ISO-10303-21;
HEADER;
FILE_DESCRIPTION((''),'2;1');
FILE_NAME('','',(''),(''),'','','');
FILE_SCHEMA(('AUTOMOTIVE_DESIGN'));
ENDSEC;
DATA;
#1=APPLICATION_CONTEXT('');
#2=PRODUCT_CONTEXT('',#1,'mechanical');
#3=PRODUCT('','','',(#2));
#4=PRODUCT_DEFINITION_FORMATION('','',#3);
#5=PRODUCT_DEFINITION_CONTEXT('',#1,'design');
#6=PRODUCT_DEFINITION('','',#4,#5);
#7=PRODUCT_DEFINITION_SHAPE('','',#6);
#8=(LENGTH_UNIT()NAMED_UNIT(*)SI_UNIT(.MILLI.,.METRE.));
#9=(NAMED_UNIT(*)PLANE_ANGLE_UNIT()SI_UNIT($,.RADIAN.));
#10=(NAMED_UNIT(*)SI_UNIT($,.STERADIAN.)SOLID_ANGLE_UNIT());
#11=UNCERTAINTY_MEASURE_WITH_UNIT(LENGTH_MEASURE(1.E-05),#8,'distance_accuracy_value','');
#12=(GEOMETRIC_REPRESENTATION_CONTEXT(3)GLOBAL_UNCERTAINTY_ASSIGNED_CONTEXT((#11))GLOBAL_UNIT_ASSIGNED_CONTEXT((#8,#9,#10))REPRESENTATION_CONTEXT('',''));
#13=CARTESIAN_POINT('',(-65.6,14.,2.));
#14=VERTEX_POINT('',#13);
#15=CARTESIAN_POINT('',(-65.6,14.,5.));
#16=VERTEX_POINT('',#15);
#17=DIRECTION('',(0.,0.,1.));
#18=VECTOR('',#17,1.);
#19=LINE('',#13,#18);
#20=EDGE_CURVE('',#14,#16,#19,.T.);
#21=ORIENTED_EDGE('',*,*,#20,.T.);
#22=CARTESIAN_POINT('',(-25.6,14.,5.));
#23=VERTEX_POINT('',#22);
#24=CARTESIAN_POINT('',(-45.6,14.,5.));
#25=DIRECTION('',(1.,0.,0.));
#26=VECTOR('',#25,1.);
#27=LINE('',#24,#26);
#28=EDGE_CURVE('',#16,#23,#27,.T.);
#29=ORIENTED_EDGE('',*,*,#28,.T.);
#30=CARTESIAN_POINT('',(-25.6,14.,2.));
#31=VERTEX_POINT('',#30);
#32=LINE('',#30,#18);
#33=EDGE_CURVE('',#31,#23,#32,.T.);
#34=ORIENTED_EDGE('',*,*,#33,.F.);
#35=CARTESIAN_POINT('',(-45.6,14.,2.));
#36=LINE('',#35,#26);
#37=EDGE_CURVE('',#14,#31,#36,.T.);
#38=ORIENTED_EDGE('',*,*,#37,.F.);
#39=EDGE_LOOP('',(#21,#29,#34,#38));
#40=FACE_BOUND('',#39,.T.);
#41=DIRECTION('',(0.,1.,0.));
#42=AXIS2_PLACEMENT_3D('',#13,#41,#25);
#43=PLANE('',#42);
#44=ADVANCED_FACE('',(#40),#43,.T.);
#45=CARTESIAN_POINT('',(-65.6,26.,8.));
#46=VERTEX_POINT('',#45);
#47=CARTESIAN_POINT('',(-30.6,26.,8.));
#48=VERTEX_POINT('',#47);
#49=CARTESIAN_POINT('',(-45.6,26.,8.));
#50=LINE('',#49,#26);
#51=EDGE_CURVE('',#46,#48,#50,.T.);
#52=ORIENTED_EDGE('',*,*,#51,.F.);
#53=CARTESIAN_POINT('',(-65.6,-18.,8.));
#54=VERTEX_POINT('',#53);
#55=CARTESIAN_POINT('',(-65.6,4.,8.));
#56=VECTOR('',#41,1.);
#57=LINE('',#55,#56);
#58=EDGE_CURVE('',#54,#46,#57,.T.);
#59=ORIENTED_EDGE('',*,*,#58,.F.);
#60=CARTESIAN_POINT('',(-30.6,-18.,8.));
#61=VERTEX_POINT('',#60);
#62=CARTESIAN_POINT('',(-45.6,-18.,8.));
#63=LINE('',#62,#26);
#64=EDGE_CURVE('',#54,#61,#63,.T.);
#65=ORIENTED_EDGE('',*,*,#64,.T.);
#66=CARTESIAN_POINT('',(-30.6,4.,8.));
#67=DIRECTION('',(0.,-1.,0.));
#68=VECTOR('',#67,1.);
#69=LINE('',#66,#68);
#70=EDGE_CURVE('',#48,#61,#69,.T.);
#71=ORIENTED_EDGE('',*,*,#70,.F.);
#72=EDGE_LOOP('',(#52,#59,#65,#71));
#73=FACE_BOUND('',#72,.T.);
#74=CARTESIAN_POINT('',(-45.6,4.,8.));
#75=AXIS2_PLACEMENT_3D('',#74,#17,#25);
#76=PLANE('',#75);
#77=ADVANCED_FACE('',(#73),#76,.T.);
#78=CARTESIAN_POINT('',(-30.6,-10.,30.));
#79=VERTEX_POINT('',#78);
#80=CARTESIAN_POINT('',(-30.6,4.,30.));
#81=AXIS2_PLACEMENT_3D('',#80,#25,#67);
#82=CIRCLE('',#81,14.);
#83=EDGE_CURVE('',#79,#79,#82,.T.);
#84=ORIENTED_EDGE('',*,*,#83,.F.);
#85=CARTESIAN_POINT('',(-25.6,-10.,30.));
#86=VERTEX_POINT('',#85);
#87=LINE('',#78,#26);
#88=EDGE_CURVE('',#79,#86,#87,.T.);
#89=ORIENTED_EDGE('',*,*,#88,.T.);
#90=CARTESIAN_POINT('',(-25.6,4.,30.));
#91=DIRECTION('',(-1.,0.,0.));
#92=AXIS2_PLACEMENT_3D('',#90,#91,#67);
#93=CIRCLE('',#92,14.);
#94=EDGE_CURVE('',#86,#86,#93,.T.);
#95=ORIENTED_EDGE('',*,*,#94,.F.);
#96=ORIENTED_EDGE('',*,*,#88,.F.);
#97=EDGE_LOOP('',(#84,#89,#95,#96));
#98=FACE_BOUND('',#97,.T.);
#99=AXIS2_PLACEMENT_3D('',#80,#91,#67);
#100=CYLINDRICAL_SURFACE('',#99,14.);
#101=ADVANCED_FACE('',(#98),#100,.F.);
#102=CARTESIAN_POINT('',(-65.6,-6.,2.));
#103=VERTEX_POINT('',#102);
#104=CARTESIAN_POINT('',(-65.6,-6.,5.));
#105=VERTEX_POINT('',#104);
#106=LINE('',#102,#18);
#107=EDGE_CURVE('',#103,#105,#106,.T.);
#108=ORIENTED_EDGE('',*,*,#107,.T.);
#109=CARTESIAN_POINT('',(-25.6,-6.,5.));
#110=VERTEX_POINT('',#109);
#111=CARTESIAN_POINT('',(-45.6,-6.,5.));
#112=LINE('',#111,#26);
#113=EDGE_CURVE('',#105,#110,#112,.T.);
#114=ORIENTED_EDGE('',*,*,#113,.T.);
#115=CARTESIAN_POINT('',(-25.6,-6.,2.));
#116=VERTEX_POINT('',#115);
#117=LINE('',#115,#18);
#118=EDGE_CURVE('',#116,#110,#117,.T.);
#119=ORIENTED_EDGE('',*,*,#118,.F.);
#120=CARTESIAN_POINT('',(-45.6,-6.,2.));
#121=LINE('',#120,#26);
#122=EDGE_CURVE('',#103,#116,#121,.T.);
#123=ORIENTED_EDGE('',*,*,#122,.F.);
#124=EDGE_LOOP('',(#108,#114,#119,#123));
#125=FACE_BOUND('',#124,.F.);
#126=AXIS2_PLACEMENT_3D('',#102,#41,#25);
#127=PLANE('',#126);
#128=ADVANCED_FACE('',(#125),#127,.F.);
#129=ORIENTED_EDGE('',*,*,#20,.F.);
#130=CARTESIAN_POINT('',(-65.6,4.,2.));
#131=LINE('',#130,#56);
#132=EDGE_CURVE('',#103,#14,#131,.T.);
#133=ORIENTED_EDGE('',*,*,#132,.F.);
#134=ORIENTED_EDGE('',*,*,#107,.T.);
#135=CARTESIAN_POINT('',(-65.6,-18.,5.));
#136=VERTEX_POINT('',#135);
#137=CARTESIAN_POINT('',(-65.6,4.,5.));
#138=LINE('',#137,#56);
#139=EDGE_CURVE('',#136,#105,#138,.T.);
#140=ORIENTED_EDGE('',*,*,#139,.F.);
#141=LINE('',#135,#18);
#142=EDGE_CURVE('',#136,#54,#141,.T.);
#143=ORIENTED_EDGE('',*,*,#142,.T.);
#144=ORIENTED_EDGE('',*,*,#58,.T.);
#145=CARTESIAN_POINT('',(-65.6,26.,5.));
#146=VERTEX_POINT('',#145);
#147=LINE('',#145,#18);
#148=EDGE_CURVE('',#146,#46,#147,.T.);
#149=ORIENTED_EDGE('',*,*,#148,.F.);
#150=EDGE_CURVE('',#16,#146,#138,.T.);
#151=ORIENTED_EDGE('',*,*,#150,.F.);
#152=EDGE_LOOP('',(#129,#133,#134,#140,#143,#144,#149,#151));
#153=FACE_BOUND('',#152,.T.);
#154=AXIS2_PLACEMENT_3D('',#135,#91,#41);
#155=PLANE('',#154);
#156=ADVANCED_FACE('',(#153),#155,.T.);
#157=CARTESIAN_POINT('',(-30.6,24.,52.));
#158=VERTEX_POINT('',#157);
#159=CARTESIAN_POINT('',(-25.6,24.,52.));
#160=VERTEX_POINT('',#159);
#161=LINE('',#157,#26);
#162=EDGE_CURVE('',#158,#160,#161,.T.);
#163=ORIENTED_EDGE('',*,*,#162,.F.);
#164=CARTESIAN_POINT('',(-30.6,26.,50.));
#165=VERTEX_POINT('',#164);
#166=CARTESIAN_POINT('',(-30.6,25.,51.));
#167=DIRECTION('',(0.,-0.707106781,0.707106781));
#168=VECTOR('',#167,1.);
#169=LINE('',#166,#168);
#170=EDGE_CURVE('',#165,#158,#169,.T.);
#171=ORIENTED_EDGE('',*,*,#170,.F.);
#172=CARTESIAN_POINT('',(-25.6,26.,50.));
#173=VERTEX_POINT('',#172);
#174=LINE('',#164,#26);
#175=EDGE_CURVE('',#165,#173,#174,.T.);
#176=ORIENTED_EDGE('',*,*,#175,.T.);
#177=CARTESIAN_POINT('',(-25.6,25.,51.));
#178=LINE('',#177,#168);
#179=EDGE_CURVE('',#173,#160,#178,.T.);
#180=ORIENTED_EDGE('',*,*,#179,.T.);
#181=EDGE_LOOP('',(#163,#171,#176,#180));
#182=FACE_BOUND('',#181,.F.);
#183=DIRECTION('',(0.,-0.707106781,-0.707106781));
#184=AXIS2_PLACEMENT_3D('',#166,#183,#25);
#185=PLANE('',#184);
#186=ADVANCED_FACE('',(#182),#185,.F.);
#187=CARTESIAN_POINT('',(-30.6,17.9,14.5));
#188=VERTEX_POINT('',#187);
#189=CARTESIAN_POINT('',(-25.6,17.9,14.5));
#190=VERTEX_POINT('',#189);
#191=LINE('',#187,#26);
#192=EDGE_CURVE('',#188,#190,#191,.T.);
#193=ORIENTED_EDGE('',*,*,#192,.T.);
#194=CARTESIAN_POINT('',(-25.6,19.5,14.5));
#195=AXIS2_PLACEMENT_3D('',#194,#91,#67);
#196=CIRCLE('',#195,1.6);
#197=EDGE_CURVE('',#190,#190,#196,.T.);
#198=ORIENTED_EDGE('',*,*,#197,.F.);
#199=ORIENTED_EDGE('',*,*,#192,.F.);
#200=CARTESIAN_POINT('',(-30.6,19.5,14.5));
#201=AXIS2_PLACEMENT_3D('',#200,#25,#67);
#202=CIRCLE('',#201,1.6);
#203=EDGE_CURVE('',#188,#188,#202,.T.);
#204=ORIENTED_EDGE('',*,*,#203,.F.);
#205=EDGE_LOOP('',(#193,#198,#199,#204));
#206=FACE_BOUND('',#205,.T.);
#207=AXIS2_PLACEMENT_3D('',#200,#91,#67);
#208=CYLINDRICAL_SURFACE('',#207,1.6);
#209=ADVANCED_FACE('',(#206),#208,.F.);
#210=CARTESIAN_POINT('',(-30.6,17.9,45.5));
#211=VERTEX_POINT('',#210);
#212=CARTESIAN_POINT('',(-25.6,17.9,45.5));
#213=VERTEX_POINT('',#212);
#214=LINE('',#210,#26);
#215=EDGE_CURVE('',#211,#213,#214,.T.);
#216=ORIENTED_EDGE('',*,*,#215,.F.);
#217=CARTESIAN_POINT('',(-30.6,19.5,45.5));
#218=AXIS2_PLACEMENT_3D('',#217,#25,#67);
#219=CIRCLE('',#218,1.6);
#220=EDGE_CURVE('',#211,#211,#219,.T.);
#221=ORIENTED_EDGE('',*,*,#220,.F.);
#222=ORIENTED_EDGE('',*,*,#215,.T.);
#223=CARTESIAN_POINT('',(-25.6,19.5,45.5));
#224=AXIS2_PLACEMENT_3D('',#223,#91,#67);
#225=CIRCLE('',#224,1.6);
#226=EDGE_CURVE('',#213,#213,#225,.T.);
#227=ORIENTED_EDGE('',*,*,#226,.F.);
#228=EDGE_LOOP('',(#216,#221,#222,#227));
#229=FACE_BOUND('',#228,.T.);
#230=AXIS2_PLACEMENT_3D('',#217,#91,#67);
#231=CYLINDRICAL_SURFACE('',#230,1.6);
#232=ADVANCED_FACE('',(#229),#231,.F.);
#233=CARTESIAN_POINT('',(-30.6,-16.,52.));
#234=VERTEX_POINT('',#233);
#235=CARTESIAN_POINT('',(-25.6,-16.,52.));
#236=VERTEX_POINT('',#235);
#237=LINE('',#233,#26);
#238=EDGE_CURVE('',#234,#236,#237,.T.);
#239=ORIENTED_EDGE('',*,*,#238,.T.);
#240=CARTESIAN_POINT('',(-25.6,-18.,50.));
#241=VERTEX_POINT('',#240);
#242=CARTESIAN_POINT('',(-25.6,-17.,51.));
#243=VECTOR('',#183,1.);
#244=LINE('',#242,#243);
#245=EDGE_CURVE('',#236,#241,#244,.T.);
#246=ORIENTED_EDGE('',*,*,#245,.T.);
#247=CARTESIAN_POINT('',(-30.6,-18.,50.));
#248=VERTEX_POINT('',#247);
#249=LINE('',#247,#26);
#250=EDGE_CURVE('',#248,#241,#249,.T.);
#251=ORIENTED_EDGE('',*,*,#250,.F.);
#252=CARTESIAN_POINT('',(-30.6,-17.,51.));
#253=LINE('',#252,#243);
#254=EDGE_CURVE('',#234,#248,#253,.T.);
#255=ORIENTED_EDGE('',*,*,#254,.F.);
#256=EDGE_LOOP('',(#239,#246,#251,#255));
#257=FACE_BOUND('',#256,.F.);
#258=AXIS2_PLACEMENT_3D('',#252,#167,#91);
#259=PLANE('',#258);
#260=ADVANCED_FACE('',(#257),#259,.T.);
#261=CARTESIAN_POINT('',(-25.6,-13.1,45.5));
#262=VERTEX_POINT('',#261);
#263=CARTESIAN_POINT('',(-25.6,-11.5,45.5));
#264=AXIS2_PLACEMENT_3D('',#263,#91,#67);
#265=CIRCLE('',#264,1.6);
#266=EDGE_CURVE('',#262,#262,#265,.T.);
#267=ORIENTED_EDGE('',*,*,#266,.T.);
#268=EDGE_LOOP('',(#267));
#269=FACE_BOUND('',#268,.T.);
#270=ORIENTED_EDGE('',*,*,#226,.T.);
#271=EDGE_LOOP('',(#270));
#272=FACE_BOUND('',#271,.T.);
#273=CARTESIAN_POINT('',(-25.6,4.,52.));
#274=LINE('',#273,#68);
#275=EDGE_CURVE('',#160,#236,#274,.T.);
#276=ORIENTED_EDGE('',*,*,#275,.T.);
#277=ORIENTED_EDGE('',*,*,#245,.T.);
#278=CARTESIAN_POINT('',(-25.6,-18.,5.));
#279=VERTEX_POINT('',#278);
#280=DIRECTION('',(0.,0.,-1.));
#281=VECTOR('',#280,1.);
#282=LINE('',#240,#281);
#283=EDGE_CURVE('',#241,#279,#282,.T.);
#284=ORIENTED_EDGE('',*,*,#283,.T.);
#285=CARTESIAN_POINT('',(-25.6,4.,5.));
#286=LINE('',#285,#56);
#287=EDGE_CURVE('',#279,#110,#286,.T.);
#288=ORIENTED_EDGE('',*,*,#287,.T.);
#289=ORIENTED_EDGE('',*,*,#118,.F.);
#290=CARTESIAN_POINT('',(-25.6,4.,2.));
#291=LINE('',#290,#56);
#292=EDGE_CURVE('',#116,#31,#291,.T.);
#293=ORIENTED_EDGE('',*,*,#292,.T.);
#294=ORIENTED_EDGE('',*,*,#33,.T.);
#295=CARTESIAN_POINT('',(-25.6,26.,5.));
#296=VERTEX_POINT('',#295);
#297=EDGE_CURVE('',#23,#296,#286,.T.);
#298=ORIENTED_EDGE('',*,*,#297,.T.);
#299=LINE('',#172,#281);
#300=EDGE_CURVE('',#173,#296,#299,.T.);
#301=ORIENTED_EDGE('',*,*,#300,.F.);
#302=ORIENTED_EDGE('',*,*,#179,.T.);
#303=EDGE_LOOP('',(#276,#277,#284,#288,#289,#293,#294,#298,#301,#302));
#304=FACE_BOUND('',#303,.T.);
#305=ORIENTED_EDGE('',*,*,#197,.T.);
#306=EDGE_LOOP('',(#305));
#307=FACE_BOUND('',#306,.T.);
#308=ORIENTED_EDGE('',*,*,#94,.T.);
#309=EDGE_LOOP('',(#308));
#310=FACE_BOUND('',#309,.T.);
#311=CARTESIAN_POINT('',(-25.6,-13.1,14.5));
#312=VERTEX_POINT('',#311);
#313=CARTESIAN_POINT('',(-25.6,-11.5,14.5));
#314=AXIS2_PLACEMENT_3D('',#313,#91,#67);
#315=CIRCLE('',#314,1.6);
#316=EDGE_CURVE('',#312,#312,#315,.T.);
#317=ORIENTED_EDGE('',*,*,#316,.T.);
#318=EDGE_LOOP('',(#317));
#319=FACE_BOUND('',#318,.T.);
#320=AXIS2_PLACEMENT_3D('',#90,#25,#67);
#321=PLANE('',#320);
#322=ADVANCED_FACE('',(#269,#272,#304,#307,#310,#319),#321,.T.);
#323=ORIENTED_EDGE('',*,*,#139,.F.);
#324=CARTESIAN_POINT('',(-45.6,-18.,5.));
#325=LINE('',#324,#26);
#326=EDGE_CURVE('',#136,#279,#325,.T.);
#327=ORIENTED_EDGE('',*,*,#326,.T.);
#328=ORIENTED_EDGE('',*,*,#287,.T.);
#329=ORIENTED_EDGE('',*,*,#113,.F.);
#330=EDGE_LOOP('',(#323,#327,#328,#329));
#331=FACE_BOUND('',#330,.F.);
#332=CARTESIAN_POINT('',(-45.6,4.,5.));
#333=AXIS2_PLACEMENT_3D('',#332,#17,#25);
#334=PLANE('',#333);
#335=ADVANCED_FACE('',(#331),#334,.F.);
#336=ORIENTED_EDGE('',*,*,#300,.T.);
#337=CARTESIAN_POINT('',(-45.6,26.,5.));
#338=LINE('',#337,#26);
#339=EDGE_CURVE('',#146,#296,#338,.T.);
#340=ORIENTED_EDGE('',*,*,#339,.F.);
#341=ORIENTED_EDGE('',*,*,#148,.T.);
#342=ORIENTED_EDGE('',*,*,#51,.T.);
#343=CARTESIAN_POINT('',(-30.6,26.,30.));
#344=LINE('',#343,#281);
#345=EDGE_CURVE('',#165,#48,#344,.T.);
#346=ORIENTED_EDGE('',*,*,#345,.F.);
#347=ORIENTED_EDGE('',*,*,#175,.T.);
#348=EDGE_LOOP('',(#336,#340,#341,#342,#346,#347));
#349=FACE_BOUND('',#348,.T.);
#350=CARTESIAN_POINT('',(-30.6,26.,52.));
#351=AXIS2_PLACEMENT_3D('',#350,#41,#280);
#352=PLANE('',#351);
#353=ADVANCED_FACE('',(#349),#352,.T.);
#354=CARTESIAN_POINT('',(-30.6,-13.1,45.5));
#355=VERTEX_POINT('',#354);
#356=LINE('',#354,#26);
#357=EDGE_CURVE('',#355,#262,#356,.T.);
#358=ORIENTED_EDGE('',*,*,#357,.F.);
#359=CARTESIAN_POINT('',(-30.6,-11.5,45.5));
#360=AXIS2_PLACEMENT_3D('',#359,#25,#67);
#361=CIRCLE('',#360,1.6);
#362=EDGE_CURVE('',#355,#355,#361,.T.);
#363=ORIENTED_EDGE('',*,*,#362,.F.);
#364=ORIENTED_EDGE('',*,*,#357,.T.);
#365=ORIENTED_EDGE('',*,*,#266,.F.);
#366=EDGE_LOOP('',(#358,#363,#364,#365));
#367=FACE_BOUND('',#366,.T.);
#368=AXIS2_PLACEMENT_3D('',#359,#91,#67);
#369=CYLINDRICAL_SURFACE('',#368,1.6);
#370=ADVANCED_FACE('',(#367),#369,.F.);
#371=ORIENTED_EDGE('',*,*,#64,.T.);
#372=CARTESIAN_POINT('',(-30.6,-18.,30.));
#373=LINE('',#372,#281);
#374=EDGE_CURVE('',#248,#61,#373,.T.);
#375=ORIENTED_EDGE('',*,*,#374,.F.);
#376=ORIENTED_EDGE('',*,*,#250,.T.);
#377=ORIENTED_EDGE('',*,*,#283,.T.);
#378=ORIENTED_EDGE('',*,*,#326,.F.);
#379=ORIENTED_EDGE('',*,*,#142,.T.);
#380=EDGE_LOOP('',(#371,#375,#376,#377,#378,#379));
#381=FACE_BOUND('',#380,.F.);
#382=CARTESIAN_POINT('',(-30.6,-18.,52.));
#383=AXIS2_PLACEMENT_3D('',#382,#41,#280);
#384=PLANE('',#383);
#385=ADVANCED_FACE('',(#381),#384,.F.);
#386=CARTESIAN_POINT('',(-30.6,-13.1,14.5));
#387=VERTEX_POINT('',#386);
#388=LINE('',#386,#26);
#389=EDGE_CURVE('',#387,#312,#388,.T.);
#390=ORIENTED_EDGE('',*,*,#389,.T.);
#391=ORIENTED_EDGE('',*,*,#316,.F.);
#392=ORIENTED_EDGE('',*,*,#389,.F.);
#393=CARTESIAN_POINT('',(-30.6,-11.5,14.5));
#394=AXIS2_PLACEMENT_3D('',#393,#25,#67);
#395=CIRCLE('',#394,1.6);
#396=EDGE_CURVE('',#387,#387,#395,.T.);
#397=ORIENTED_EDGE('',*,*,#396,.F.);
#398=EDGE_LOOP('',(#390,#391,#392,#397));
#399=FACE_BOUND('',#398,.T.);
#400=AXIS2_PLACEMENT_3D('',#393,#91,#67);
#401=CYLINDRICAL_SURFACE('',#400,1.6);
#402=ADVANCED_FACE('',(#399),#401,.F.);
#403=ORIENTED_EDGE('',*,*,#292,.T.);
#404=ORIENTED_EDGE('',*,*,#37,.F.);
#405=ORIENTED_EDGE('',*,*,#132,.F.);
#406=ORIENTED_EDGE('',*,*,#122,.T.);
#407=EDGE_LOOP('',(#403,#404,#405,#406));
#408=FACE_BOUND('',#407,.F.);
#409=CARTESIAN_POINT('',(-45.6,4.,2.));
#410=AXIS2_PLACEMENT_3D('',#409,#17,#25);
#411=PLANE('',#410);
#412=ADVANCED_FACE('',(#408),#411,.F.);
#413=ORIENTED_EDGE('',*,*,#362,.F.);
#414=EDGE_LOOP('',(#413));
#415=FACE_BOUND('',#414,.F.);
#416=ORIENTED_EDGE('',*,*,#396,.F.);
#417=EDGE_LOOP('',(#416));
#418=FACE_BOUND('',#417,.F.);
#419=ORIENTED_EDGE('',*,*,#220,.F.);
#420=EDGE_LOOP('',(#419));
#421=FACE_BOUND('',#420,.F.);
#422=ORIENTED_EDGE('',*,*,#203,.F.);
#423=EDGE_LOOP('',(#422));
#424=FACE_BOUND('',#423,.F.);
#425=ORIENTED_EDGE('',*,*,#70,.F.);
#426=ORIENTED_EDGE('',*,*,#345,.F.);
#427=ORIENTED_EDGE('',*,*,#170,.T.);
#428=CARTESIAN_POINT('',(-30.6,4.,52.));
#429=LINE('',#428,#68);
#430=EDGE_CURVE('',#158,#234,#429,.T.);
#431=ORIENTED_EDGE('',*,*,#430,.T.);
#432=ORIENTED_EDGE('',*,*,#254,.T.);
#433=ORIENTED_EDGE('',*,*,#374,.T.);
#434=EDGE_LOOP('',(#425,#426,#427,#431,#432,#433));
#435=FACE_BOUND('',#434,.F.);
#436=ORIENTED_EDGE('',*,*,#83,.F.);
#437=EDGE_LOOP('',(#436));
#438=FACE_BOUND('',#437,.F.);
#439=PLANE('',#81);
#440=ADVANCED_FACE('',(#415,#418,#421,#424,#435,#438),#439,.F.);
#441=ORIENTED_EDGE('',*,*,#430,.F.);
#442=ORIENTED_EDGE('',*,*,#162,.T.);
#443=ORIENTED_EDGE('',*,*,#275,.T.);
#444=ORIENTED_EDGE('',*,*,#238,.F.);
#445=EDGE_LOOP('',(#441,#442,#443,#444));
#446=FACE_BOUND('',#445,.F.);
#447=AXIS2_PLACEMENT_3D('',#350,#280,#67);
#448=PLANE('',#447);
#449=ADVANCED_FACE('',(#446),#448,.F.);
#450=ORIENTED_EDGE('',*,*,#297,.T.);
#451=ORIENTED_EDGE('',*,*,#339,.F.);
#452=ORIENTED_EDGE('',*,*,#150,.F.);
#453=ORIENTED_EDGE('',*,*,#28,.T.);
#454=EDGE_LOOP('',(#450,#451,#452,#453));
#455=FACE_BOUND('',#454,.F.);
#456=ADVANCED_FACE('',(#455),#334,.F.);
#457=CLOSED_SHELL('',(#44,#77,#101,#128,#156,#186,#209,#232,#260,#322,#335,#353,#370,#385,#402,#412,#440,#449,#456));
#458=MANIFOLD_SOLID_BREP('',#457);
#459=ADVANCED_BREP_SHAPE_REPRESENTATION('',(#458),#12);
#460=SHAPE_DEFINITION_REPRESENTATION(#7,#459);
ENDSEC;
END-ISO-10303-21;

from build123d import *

# Parameters (mm, degrees)
CYLINDER006_R          = 14
CYLINDER006_DEPTH      = 10
CYLINDER003_R          = 1.6
CYLINDER003_DEPTH      = 10
CYLINDER004_R          = 1.6
CYLINDER004_DEPTH      = 10
CYLINDER005_R          = 1.6
CYLINDER005_DEPTH      = 10
CYLINDER002_R          = 1.6
CYLINDER002_DEPTH      = 10
BOX_W                  = 44
BOX_H                  = 44
BOX_DEPTH              = 5
CUT001_ROLL_ANGLE      = -90
CUT001_PLACEMENT_ANGLE = -90
CHAMFER_SIZE           = 2
BOX003_W               = 40
BOX003_H               = 44
BOX003_DEPTH           = 3
BOX006_W               = 40
BOX006_H               = 20
BOX006_DEPTH           = 3


with BuildPart() as cylinder006:
    # Cylinder006 → Cylinder006 (new body)
    with BuildSketch(Plane.XY):
        Circle(CYLINDER006_R)
    extrude(amount=CYLINDER006_DEPTH)


with BuildPart() as cylinder003:
    # Cylinder003 → Cylinder003 (new body)
    with BuildSketch(Plane(origin=(-15.5, 15.5, 0), x_dir=(1, 0, 0), z_dir=(0, 0, 1))):
        Circle(CYLINDER003_R)
    extrude(amount=CYLINDER003_DEPTH)


with BuildPart() as cylinder004:
    # Cylinder004 → Cylinder004 (new body)
    with BuildSketch(Plane(origin=(15.5, -15.5, 0), x_dir=(1, 0, 0), z_dir=(0, 0, 1))):
        Circle(CYLINDER004_R)
    extrude(amount=CYLINDER004_DEPTH)


with BuildPart() as cylinder005:
    # Cylinder005 → Cylinder005 (new body)
    with BuildSketch(Plane(origin=(15.5, 15.5, 0), x_dir=(1, 0, 0), z_dir=(0, 0, 1))):
        Circle(CYLINDER005_R)
    extrude(amount=CYLINDER005_DEPTH)


with BuildPart() as fusion:
    # Cylinder002 → Cylinder002 (new body)
    with BuildSketch(Plane(origin=(-15.5, -15.5, 0), x_dir=(1, 0, 0), z_dir=(0, 0, 1))):
        Circle(CYLINDER002_R)
    extrude(amount=CYLINDER002_DEPTH)

    # Fusion: union Cylinder003, Cylinder004, Cylinder005
    add(cylinder003.part)
    add(cylinder004.part)
    add(cylinder005.part)


with BuildPart() as chamfer_body:
    # Box → Box (new body)
    with BuildSketch(Plane(origin=(-22, -22, 0), x_dir=(1, 0, 0), z_dir=(0, 0, 1))):
        with Locations((22, 22)):
            Rectangle(BOX_W, BOX_H)
    extrude(amount=BOX_DEPTH)

    # Cut: cut Fusion
    add(fusion.part, mode=Mode.SUBTRACT)

    # Cut001: cut Cylinder006
    add(cylinder006.part, mode=Mode.SUBTRACT)


with BuildPart() as chamfer_body_1:
    # Cut001 roll: moved
    add(chamfer_body.part.rotate(Axis((0, 0, 0), (1, 0, 0)), CUT001_ROLL_ANGLE))


with BuildPart() as chamfer_body_2:
    # Cut001 placement: moved
    add(chamfer_body_1.part.moved(Location((0, 4, 30))).rotate(Axis((0, 4, 30), (0, 0, 1)), CUT001_PLACEMENT_ANGLE))

    # Chamfer
    chamfer_edges = [chamfer_body_2.edges().sort_by_distance(p)[0] for p in [
        (2.5, 26, 52),
        (2.5, -18, 52),
    ]]
    chamfer(chamfer_edges, length=CHAMFER_SIZE)


with BuildPart() as fusion008:
    # Box003 → Box003 (new body)
    with BuildSketch(Plane(origin=(-35, -18, 5), x_dir=(1, 0, 0), z_dir=(0, 0, 1))):
        with Locations((20, 22)):
            Rectangle(BOX003_W, BOX003_H)
    extrude(amount=BOX003_DEPTH)

    # Fusion008: union Chamfer body
    add(chamfer_body_2.part)


with BuildPart() as fusion008_1:
    # Fusion008 placement: moved
    add(fusion008.part.moved(Location((-13, 0, 0))))


with BuildPart() as fusion010:
    # Box006 → Box006 (new body)
    with BuildSketch(Plane(origin=(-48, -6, 2), x_dir=(1, 0, 0), z_dir=(0, 0, 1))):
        with Locations((20, 10)):
            Rectangle(BOX006_W, BOX006_H)
    extrude(amount=BOX006_DEPTH)

    # Fusion010: union Fusion008
    add(fusion008_1.part)


with BuildPart() as fusion010_1:
    # Fusion010 placement: moved
    add(fusion010.part.moved(Location((-17.6, 0, 0))))


solid = fusion010_1.part
